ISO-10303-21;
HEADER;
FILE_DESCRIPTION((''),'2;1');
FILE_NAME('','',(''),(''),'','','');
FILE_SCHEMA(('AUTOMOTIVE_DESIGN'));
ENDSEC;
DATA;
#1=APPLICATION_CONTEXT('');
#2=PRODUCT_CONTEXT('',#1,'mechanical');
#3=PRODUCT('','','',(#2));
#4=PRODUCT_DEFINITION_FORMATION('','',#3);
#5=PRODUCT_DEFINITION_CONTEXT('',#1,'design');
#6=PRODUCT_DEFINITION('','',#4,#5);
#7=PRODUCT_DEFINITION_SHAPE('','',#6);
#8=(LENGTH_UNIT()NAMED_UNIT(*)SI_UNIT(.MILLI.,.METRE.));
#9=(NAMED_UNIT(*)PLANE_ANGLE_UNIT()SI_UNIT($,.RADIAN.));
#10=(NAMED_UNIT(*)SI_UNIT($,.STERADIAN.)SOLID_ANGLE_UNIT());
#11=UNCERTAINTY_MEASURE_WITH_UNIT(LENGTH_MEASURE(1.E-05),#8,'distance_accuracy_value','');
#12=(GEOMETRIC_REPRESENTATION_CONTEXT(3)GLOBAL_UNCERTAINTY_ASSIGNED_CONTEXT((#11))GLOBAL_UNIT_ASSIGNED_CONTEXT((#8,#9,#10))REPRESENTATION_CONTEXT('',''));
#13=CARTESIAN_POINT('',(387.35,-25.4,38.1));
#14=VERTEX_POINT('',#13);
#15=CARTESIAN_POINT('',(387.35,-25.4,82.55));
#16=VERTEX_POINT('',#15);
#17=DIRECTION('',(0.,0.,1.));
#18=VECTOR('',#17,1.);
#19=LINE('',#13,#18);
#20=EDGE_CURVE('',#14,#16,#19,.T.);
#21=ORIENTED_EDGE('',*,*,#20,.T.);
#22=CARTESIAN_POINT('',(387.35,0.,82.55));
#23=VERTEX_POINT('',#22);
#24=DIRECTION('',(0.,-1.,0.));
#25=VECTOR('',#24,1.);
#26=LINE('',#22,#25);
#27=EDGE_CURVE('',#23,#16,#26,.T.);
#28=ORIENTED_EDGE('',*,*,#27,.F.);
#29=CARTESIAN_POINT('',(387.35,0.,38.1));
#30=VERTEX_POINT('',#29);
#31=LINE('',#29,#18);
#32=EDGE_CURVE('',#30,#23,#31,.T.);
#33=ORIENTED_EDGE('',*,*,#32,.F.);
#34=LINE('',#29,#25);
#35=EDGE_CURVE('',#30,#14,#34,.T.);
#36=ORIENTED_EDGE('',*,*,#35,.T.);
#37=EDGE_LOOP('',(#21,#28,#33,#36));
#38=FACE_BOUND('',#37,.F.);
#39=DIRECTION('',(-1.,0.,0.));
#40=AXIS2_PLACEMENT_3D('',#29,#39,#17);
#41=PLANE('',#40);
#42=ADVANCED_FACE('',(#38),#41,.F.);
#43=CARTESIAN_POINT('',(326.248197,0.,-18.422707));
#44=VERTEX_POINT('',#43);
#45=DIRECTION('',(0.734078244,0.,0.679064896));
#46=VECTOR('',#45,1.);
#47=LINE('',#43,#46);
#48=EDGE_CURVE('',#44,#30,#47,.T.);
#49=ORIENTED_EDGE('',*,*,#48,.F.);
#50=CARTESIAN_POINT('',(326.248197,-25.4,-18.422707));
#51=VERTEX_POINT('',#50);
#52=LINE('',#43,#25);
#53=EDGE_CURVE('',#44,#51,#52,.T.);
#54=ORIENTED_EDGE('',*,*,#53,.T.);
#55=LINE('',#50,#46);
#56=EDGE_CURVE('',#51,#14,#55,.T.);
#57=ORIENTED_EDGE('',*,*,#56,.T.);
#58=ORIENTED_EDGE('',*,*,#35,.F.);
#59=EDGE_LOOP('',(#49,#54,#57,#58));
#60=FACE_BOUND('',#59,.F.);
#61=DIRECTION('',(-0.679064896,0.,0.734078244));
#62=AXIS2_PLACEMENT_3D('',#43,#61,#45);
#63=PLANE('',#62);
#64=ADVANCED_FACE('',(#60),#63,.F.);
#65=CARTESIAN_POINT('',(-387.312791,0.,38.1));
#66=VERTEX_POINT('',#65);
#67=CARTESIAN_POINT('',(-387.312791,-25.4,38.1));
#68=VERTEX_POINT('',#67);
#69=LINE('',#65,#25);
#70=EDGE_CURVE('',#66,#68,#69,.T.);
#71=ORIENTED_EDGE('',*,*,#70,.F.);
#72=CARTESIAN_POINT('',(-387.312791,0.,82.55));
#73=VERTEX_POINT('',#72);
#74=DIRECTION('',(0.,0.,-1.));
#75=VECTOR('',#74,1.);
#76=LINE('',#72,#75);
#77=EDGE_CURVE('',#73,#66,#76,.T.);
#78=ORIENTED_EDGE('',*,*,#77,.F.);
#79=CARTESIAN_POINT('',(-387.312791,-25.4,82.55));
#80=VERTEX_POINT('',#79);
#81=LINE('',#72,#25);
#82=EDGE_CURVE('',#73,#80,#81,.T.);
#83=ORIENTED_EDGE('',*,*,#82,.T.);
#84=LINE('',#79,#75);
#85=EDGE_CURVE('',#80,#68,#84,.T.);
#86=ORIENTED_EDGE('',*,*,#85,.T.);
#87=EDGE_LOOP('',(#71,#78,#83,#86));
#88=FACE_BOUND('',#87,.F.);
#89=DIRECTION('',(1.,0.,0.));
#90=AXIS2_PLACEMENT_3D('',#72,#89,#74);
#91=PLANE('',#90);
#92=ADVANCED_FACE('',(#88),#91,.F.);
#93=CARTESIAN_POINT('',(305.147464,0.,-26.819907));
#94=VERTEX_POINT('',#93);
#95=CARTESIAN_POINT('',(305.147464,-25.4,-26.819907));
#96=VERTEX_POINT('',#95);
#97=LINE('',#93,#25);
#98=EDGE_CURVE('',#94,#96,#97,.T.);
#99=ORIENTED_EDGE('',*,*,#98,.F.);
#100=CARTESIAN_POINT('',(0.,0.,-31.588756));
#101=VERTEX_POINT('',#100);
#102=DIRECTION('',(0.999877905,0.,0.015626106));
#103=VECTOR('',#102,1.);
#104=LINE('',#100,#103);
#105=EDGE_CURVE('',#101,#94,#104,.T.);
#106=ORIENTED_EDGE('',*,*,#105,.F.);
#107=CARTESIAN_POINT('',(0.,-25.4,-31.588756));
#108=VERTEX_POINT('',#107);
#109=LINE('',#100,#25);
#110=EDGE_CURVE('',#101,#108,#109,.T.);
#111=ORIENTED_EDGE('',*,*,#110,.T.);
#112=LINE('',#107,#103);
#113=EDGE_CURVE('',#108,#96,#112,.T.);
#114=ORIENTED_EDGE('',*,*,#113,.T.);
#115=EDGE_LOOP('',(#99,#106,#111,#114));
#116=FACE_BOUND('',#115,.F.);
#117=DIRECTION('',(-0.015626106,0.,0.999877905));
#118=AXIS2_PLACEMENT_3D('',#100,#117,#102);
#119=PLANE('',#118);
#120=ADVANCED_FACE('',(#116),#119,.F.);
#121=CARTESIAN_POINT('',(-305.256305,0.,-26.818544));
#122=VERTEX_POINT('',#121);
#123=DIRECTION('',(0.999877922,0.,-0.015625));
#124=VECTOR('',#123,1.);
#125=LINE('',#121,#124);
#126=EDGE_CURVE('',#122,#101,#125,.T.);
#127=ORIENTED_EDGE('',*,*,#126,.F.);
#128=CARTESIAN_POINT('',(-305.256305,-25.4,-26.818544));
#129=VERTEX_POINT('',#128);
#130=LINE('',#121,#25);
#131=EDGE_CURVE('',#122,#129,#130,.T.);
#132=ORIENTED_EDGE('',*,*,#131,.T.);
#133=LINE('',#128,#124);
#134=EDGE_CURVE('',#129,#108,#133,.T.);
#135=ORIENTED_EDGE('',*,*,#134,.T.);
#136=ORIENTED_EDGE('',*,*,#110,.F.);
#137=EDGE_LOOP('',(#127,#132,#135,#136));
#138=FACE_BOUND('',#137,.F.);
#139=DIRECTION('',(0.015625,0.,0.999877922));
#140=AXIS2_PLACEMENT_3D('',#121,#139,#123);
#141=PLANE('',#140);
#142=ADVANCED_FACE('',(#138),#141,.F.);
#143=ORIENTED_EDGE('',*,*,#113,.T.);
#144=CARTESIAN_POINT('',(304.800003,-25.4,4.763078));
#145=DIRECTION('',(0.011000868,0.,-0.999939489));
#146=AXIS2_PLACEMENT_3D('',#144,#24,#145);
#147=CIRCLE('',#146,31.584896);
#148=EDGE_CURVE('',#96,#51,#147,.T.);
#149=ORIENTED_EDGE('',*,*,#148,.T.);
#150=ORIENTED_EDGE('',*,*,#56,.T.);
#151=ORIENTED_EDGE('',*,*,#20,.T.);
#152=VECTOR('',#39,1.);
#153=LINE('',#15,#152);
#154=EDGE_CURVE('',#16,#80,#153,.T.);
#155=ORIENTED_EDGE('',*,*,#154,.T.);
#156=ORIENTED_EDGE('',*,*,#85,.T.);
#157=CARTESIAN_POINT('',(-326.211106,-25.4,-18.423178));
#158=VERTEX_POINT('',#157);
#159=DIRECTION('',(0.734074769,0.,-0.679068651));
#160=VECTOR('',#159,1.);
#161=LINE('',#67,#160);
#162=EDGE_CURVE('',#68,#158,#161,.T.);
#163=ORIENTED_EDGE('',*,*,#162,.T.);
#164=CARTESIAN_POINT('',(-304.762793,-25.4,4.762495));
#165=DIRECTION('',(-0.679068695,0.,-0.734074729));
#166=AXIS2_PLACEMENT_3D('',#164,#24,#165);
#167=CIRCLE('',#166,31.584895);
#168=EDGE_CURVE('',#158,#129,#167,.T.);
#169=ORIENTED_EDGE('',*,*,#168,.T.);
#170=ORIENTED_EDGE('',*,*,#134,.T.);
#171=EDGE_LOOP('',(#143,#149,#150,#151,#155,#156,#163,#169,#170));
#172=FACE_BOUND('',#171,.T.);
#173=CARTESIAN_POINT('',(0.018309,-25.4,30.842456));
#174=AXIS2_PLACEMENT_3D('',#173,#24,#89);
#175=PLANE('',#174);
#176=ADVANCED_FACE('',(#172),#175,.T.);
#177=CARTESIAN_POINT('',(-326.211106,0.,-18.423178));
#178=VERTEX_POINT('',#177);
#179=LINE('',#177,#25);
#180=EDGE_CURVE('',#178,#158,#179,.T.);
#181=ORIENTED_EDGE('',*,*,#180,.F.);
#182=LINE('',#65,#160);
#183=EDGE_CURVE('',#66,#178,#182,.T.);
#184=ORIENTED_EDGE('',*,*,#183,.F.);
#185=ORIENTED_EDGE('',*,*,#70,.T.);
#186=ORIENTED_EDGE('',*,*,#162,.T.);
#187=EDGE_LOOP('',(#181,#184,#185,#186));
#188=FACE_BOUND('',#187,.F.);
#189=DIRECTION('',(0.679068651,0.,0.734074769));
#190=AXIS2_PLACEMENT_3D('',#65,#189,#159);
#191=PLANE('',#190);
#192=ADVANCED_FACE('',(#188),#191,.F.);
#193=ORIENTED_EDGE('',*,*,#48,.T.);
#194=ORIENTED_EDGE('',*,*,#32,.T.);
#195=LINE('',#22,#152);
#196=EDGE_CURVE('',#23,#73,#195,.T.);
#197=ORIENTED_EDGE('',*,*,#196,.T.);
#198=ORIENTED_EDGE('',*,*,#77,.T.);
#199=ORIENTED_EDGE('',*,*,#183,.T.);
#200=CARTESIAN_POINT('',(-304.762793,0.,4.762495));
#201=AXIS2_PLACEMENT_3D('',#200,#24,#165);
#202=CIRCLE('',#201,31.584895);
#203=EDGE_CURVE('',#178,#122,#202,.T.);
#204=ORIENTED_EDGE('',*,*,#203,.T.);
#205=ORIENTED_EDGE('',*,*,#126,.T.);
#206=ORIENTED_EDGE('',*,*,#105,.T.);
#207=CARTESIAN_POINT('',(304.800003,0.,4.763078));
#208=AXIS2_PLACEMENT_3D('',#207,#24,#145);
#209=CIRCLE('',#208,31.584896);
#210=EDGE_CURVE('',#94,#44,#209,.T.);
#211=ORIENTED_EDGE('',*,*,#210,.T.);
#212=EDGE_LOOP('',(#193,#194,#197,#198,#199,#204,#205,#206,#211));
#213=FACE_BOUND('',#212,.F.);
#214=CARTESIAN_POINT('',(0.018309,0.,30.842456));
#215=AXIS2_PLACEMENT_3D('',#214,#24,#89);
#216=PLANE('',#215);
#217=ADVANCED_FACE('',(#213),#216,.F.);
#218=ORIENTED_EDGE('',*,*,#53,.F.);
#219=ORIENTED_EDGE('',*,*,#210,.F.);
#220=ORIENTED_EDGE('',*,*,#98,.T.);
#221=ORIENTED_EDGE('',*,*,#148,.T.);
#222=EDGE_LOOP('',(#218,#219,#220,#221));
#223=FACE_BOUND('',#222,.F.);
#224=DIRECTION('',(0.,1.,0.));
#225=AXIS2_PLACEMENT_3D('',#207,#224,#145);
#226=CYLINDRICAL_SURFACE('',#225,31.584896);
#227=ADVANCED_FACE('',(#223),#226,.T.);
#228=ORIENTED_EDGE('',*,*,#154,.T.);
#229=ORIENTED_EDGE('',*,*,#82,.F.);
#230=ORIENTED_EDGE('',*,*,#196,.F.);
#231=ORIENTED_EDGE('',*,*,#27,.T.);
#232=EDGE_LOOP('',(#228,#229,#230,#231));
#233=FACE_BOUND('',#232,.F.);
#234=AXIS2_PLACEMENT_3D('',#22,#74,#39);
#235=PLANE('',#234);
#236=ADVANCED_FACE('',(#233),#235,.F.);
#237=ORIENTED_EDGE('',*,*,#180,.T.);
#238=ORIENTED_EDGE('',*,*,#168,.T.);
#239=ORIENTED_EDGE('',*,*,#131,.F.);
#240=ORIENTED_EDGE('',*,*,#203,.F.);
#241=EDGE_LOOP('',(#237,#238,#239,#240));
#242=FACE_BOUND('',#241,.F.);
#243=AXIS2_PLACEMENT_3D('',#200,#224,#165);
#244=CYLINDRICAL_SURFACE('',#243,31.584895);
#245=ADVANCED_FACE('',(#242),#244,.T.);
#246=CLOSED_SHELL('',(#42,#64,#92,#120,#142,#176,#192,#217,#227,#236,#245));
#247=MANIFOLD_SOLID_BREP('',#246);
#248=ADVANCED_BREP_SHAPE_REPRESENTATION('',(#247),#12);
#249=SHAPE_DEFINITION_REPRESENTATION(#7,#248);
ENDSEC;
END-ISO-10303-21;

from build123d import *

# Parameters (mm, degrees)
F1_DEPTH = 25.4


with BuildPart() as f1:
    # F0 (on Front) → F1 (new body)
    with BuildSketch(Plane.XZ):
        with BuildLine():
            Line((387.35, 82.55), (-387.312791, 82.55))
            Line((-387.312791, 82.55), (-387.312791, 38.1))
            Line((-387.312791, 38.1), (-326.211106, -18.423178))
            ThreePointArc((-326.211106, -18.423178), (-316.509344, -24.556852), (-305.256305, -26.818544))
            Line((-305.256305, -26.818544), (0, -31.588756))
            Line((0, -31.588756), (305.147464, -26.819907))
            ThreePointArc((305.147464, -26.819907), (316.478654, -24.583383), (326.248197, -18.422707))
            Line((326.248197, -18.422707), (387.35, 38.1))
            Line((387.35, 38.1), (387.35, 82.55))
        make_face()
    extrude(amount=F1_DEPTH)


solid = f1.part
